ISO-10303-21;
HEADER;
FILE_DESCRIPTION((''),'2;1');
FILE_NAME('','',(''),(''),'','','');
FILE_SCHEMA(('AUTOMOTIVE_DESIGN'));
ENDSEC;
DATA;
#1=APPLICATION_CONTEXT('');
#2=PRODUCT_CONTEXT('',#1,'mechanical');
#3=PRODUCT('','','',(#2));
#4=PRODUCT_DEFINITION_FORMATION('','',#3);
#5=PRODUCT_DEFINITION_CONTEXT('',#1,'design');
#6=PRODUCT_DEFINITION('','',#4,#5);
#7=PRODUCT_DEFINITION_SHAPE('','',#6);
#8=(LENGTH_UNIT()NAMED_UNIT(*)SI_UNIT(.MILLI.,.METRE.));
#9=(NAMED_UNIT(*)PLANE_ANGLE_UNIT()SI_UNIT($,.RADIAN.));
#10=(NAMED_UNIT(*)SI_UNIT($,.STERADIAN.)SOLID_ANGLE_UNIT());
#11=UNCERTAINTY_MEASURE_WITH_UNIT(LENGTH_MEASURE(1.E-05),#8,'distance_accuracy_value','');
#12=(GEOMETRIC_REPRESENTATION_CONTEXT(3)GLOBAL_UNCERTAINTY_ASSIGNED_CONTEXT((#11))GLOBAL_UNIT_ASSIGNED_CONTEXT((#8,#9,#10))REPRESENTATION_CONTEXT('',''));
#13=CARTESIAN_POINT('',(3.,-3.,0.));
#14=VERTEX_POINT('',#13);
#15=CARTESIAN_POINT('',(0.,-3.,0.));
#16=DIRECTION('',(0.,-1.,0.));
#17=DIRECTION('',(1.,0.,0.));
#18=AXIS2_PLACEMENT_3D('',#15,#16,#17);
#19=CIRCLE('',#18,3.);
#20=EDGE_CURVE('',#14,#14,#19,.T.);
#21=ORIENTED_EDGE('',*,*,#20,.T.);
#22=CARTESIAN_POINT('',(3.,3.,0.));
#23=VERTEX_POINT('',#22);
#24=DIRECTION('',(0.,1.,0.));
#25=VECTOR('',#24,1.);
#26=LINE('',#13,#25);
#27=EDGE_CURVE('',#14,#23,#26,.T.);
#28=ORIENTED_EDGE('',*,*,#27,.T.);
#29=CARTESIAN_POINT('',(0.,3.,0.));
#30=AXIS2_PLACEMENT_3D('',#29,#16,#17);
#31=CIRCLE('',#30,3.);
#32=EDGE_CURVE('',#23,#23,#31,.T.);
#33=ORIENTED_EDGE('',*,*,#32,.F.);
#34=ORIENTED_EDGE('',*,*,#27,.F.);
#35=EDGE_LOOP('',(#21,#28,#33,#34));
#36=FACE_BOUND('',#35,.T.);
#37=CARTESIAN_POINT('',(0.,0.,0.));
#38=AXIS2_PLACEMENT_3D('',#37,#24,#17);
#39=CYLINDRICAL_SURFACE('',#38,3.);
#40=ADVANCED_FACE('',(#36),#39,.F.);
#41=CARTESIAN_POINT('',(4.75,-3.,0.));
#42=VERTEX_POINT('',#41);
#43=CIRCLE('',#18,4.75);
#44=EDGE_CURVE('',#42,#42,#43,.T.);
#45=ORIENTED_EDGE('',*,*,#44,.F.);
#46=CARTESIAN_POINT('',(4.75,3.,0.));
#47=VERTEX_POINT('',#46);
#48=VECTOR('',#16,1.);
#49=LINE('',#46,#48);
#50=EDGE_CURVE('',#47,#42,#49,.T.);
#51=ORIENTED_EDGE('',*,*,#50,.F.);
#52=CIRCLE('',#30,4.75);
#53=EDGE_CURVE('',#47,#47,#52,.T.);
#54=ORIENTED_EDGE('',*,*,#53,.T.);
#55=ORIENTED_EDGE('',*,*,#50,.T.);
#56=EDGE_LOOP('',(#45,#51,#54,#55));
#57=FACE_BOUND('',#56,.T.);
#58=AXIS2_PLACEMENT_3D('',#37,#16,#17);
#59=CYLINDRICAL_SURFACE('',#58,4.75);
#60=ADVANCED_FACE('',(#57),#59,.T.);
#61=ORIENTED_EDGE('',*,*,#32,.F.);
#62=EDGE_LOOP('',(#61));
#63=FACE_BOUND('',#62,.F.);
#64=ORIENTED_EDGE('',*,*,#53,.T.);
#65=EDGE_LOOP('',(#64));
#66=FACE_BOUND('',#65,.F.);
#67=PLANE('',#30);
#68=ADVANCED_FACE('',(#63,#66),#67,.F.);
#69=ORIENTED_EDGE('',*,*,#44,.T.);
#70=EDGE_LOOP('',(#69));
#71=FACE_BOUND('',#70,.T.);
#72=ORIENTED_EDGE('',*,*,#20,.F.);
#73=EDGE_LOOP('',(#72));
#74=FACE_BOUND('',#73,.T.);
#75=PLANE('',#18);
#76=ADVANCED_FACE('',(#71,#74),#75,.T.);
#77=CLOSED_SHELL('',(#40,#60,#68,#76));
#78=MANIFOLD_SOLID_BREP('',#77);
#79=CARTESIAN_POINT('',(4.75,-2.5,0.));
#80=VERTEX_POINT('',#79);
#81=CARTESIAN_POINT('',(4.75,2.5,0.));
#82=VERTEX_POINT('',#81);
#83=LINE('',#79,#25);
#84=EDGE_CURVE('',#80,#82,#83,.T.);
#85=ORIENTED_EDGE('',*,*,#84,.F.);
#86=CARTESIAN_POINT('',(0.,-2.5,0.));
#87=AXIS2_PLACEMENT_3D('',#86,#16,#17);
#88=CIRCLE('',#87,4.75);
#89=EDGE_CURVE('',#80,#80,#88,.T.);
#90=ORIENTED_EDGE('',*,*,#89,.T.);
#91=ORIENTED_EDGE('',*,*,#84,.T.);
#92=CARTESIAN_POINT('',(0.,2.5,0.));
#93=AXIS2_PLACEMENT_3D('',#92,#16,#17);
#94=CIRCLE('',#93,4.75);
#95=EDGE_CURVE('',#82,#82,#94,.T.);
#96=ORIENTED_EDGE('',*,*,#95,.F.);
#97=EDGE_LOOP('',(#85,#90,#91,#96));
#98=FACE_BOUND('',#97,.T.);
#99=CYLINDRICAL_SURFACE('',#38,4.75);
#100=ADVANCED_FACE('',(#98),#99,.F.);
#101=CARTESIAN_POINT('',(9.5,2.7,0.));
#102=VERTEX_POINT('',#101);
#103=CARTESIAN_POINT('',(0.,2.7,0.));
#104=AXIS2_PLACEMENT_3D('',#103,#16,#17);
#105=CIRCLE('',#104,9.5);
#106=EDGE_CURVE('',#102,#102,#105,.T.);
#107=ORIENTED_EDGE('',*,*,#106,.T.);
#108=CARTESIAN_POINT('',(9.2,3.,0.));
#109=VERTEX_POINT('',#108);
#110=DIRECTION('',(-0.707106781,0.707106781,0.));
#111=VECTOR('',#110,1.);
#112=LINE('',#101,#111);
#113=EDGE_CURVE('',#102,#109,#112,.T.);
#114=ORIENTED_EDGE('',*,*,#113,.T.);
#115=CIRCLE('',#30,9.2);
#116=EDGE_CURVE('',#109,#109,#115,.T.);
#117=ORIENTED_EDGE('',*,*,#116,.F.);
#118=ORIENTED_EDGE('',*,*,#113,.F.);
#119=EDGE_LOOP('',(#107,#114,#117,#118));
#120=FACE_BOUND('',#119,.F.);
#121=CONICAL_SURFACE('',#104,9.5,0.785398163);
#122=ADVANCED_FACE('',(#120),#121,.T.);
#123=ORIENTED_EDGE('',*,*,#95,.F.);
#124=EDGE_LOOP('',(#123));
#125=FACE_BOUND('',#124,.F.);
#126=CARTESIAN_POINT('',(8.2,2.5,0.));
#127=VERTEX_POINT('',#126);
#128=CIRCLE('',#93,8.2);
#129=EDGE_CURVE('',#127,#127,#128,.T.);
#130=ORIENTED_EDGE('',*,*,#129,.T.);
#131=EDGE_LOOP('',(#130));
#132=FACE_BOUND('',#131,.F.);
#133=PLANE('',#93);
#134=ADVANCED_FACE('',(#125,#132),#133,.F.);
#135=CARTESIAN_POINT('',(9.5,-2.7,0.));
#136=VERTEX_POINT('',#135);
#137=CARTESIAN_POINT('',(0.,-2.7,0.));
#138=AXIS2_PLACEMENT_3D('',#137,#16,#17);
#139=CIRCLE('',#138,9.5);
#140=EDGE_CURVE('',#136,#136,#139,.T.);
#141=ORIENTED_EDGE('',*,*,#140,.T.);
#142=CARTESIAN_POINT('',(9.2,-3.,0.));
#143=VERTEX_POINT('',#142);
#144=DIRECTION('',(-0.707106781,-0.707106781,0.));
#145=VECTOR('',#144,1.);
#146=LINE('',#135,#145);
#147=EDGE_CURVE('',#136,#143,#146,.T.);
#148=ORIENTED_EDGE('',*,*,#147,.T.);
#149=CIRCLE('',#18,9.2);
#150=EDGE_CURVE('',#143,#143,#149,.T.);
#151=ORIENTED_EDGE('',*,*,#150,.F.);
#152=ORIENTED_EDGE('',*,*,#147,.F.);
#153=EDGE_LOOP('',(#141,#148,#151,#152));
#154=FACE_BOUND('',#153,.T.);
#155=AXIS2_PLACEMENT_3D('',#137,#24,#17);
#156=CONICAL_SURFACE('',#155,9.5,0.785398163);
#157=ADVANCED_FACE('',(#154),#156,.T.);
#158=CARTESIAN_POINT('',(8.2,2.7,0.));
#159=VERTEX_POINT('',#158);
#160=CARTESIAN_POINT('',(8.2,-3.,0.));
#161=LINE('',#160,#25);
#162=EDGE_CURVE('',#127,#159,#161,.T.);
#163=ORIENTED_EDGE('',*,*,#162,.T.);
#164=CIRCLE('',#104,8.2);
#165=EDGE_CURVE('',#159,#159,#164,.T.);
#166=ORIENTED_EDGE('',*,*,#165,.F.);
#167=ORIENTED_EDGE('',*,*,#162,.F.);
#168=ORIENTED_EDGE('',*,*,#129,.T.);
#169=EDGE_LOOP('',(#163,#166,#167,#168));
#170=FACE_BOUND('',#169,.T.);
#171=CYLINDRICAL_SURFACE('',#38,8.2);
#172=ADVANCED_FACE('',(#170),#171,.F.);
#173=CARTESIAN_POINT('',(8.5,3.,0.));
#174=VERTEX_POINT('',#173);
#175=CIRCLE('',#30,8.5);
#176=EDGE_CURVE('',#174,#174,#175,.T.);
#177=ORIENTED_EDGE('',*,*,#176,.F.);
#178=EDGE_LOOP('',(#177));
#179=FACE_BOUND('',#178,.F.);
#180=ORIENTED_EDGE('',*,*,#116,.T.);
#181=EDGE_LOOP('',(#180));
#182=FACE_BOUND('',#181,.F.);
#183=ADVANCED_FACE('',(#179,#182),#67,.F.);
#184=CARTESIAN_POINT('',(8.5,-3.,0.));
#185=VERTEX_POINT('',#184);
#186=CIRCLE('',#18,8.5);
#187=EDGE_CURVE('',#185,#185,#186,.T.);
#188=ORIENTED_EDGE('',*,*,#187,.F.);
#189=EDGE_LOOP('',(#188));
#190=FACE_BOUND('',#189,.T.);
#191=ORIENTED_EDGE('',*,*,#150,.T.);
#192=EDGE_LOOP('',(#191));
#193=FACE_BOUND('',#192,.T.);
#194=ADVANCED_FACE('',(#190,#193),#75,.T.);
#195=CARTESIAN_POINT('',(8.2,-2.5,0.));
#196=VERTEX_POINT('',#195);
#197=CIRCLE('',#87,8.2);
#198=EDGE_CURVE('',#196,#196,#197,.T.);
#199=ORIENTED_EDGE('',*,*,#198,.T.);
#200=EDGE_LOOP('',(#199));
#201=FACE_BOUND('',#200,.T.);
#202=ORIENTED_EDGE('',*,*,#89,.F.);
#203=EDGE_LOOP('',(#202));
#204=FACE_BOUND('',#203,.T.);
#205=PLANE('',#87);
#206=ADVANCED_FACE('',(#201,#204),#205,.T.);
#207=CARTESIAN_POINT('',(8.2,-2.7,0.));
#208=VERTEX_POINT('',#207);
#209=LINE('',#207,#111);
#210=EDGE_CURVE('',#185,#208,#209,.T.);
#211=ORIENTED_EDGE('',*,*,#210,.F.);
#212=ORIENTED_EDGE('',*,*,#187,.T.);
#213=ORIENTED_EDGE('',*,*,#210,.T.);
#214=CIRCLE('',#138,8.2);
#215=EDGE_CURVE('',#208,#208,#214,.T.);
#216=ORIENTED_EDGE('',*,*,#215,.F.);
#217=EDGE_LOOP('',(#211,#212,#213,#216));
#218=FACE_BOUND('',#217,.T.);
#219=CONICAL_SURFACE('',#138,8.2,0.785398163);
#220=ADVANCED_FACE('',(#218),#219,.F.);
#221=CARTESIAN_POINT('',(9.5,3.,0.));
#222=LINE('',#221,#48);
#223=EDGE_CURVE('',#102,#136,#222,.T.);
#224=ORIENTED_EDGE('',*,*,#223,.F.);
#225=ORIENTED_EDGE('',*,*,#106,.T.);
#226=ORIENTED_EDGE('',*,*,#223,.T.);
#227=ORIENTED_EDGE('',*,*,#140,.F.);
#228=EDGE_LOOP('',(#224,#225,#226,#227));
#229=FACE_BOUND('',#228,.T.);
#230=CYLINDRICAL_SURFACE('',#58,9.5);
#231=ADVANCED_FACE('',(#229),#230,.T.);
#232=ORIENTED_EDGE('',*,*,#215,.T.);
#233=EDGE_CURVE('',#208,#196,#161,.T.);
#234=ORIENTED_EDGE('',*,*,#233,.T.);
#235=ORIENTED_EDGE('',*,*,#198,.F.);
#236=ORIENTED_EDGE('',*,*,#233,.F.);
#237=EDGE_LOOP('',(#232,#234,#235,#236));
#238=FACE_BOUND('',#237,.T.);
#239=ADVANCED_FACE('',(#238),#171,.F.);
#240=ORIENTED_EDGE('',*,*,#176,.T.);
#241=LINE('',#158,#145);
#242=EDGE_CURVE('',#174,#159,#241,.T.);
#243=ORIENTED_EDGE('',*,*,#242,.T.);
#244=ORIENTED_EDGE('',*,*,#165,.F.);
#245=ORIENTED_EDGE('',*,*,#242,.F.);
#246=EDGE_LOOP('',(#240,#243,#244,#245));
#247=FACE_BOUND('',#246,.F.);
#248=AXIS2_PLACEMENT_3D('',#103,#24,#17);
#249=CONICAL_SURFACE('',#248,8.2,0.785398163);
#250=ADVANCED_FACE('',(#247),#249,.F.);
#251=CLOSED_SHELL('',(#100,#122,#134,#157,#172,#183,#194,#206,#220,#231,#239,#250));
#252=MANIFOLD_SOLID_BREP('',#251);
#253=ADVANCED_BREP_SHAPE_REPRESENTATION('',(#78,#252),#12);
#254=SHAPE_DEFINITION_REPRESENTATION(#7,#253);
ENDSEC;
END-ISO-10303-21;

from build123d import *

# Parameters (mm, degrees)
F0_R     = 9.5
F0_R_2   = 8.2
F1_DEPTH = 3
F0_R_3   = 4.75
F2_DEPTH = 2.5
F3_SIZE  = 0.3
F0_R_4   = 3
F4_DEPTH = 3


with BuildPart() as f1:
    # F0 (on Front) → F1 (new body, symmetric)
    with BuildSketch(Plane.XZ):
        Circle(F0_R)
        Circle(F0_R_2, mode=Mode.SUBTRACT)
    extrude(amount=F1_DEPTH, both=True)

    # F0 (on Front) → F2 (join, symmetric)
    with BuildSketch(Plane.XZ):
        Circle(F0_R_2)
        Circle(F0_R_3, mode=Mode.SUBTRACT)
    extrude(amount=F2_DEPTH, both=True)

    # F3
    f3_edges = [f1.edges().sort_by_distance(p)[0] for p in [
        (-9.5, -3, 0),
        (-8.2, -3, 0),
        (-9.5, 3, 0),
        (-8.2, 3, 0),
    ]]
    chamfer(f3_edges, length=F3_SIZE)


with BuildPart() as f4:
    # F0 (on Front) → F4 (new body, symmetric)
    with BuildSketch(Plane.XZ):
        Circle(F0_R_3)
        Circle(F0_R_4, mode=Mode.SUBTRACT)
    extrude(amount=F4_DEPTH, both=True)


solid = Compound([f1.part, f4.part])
